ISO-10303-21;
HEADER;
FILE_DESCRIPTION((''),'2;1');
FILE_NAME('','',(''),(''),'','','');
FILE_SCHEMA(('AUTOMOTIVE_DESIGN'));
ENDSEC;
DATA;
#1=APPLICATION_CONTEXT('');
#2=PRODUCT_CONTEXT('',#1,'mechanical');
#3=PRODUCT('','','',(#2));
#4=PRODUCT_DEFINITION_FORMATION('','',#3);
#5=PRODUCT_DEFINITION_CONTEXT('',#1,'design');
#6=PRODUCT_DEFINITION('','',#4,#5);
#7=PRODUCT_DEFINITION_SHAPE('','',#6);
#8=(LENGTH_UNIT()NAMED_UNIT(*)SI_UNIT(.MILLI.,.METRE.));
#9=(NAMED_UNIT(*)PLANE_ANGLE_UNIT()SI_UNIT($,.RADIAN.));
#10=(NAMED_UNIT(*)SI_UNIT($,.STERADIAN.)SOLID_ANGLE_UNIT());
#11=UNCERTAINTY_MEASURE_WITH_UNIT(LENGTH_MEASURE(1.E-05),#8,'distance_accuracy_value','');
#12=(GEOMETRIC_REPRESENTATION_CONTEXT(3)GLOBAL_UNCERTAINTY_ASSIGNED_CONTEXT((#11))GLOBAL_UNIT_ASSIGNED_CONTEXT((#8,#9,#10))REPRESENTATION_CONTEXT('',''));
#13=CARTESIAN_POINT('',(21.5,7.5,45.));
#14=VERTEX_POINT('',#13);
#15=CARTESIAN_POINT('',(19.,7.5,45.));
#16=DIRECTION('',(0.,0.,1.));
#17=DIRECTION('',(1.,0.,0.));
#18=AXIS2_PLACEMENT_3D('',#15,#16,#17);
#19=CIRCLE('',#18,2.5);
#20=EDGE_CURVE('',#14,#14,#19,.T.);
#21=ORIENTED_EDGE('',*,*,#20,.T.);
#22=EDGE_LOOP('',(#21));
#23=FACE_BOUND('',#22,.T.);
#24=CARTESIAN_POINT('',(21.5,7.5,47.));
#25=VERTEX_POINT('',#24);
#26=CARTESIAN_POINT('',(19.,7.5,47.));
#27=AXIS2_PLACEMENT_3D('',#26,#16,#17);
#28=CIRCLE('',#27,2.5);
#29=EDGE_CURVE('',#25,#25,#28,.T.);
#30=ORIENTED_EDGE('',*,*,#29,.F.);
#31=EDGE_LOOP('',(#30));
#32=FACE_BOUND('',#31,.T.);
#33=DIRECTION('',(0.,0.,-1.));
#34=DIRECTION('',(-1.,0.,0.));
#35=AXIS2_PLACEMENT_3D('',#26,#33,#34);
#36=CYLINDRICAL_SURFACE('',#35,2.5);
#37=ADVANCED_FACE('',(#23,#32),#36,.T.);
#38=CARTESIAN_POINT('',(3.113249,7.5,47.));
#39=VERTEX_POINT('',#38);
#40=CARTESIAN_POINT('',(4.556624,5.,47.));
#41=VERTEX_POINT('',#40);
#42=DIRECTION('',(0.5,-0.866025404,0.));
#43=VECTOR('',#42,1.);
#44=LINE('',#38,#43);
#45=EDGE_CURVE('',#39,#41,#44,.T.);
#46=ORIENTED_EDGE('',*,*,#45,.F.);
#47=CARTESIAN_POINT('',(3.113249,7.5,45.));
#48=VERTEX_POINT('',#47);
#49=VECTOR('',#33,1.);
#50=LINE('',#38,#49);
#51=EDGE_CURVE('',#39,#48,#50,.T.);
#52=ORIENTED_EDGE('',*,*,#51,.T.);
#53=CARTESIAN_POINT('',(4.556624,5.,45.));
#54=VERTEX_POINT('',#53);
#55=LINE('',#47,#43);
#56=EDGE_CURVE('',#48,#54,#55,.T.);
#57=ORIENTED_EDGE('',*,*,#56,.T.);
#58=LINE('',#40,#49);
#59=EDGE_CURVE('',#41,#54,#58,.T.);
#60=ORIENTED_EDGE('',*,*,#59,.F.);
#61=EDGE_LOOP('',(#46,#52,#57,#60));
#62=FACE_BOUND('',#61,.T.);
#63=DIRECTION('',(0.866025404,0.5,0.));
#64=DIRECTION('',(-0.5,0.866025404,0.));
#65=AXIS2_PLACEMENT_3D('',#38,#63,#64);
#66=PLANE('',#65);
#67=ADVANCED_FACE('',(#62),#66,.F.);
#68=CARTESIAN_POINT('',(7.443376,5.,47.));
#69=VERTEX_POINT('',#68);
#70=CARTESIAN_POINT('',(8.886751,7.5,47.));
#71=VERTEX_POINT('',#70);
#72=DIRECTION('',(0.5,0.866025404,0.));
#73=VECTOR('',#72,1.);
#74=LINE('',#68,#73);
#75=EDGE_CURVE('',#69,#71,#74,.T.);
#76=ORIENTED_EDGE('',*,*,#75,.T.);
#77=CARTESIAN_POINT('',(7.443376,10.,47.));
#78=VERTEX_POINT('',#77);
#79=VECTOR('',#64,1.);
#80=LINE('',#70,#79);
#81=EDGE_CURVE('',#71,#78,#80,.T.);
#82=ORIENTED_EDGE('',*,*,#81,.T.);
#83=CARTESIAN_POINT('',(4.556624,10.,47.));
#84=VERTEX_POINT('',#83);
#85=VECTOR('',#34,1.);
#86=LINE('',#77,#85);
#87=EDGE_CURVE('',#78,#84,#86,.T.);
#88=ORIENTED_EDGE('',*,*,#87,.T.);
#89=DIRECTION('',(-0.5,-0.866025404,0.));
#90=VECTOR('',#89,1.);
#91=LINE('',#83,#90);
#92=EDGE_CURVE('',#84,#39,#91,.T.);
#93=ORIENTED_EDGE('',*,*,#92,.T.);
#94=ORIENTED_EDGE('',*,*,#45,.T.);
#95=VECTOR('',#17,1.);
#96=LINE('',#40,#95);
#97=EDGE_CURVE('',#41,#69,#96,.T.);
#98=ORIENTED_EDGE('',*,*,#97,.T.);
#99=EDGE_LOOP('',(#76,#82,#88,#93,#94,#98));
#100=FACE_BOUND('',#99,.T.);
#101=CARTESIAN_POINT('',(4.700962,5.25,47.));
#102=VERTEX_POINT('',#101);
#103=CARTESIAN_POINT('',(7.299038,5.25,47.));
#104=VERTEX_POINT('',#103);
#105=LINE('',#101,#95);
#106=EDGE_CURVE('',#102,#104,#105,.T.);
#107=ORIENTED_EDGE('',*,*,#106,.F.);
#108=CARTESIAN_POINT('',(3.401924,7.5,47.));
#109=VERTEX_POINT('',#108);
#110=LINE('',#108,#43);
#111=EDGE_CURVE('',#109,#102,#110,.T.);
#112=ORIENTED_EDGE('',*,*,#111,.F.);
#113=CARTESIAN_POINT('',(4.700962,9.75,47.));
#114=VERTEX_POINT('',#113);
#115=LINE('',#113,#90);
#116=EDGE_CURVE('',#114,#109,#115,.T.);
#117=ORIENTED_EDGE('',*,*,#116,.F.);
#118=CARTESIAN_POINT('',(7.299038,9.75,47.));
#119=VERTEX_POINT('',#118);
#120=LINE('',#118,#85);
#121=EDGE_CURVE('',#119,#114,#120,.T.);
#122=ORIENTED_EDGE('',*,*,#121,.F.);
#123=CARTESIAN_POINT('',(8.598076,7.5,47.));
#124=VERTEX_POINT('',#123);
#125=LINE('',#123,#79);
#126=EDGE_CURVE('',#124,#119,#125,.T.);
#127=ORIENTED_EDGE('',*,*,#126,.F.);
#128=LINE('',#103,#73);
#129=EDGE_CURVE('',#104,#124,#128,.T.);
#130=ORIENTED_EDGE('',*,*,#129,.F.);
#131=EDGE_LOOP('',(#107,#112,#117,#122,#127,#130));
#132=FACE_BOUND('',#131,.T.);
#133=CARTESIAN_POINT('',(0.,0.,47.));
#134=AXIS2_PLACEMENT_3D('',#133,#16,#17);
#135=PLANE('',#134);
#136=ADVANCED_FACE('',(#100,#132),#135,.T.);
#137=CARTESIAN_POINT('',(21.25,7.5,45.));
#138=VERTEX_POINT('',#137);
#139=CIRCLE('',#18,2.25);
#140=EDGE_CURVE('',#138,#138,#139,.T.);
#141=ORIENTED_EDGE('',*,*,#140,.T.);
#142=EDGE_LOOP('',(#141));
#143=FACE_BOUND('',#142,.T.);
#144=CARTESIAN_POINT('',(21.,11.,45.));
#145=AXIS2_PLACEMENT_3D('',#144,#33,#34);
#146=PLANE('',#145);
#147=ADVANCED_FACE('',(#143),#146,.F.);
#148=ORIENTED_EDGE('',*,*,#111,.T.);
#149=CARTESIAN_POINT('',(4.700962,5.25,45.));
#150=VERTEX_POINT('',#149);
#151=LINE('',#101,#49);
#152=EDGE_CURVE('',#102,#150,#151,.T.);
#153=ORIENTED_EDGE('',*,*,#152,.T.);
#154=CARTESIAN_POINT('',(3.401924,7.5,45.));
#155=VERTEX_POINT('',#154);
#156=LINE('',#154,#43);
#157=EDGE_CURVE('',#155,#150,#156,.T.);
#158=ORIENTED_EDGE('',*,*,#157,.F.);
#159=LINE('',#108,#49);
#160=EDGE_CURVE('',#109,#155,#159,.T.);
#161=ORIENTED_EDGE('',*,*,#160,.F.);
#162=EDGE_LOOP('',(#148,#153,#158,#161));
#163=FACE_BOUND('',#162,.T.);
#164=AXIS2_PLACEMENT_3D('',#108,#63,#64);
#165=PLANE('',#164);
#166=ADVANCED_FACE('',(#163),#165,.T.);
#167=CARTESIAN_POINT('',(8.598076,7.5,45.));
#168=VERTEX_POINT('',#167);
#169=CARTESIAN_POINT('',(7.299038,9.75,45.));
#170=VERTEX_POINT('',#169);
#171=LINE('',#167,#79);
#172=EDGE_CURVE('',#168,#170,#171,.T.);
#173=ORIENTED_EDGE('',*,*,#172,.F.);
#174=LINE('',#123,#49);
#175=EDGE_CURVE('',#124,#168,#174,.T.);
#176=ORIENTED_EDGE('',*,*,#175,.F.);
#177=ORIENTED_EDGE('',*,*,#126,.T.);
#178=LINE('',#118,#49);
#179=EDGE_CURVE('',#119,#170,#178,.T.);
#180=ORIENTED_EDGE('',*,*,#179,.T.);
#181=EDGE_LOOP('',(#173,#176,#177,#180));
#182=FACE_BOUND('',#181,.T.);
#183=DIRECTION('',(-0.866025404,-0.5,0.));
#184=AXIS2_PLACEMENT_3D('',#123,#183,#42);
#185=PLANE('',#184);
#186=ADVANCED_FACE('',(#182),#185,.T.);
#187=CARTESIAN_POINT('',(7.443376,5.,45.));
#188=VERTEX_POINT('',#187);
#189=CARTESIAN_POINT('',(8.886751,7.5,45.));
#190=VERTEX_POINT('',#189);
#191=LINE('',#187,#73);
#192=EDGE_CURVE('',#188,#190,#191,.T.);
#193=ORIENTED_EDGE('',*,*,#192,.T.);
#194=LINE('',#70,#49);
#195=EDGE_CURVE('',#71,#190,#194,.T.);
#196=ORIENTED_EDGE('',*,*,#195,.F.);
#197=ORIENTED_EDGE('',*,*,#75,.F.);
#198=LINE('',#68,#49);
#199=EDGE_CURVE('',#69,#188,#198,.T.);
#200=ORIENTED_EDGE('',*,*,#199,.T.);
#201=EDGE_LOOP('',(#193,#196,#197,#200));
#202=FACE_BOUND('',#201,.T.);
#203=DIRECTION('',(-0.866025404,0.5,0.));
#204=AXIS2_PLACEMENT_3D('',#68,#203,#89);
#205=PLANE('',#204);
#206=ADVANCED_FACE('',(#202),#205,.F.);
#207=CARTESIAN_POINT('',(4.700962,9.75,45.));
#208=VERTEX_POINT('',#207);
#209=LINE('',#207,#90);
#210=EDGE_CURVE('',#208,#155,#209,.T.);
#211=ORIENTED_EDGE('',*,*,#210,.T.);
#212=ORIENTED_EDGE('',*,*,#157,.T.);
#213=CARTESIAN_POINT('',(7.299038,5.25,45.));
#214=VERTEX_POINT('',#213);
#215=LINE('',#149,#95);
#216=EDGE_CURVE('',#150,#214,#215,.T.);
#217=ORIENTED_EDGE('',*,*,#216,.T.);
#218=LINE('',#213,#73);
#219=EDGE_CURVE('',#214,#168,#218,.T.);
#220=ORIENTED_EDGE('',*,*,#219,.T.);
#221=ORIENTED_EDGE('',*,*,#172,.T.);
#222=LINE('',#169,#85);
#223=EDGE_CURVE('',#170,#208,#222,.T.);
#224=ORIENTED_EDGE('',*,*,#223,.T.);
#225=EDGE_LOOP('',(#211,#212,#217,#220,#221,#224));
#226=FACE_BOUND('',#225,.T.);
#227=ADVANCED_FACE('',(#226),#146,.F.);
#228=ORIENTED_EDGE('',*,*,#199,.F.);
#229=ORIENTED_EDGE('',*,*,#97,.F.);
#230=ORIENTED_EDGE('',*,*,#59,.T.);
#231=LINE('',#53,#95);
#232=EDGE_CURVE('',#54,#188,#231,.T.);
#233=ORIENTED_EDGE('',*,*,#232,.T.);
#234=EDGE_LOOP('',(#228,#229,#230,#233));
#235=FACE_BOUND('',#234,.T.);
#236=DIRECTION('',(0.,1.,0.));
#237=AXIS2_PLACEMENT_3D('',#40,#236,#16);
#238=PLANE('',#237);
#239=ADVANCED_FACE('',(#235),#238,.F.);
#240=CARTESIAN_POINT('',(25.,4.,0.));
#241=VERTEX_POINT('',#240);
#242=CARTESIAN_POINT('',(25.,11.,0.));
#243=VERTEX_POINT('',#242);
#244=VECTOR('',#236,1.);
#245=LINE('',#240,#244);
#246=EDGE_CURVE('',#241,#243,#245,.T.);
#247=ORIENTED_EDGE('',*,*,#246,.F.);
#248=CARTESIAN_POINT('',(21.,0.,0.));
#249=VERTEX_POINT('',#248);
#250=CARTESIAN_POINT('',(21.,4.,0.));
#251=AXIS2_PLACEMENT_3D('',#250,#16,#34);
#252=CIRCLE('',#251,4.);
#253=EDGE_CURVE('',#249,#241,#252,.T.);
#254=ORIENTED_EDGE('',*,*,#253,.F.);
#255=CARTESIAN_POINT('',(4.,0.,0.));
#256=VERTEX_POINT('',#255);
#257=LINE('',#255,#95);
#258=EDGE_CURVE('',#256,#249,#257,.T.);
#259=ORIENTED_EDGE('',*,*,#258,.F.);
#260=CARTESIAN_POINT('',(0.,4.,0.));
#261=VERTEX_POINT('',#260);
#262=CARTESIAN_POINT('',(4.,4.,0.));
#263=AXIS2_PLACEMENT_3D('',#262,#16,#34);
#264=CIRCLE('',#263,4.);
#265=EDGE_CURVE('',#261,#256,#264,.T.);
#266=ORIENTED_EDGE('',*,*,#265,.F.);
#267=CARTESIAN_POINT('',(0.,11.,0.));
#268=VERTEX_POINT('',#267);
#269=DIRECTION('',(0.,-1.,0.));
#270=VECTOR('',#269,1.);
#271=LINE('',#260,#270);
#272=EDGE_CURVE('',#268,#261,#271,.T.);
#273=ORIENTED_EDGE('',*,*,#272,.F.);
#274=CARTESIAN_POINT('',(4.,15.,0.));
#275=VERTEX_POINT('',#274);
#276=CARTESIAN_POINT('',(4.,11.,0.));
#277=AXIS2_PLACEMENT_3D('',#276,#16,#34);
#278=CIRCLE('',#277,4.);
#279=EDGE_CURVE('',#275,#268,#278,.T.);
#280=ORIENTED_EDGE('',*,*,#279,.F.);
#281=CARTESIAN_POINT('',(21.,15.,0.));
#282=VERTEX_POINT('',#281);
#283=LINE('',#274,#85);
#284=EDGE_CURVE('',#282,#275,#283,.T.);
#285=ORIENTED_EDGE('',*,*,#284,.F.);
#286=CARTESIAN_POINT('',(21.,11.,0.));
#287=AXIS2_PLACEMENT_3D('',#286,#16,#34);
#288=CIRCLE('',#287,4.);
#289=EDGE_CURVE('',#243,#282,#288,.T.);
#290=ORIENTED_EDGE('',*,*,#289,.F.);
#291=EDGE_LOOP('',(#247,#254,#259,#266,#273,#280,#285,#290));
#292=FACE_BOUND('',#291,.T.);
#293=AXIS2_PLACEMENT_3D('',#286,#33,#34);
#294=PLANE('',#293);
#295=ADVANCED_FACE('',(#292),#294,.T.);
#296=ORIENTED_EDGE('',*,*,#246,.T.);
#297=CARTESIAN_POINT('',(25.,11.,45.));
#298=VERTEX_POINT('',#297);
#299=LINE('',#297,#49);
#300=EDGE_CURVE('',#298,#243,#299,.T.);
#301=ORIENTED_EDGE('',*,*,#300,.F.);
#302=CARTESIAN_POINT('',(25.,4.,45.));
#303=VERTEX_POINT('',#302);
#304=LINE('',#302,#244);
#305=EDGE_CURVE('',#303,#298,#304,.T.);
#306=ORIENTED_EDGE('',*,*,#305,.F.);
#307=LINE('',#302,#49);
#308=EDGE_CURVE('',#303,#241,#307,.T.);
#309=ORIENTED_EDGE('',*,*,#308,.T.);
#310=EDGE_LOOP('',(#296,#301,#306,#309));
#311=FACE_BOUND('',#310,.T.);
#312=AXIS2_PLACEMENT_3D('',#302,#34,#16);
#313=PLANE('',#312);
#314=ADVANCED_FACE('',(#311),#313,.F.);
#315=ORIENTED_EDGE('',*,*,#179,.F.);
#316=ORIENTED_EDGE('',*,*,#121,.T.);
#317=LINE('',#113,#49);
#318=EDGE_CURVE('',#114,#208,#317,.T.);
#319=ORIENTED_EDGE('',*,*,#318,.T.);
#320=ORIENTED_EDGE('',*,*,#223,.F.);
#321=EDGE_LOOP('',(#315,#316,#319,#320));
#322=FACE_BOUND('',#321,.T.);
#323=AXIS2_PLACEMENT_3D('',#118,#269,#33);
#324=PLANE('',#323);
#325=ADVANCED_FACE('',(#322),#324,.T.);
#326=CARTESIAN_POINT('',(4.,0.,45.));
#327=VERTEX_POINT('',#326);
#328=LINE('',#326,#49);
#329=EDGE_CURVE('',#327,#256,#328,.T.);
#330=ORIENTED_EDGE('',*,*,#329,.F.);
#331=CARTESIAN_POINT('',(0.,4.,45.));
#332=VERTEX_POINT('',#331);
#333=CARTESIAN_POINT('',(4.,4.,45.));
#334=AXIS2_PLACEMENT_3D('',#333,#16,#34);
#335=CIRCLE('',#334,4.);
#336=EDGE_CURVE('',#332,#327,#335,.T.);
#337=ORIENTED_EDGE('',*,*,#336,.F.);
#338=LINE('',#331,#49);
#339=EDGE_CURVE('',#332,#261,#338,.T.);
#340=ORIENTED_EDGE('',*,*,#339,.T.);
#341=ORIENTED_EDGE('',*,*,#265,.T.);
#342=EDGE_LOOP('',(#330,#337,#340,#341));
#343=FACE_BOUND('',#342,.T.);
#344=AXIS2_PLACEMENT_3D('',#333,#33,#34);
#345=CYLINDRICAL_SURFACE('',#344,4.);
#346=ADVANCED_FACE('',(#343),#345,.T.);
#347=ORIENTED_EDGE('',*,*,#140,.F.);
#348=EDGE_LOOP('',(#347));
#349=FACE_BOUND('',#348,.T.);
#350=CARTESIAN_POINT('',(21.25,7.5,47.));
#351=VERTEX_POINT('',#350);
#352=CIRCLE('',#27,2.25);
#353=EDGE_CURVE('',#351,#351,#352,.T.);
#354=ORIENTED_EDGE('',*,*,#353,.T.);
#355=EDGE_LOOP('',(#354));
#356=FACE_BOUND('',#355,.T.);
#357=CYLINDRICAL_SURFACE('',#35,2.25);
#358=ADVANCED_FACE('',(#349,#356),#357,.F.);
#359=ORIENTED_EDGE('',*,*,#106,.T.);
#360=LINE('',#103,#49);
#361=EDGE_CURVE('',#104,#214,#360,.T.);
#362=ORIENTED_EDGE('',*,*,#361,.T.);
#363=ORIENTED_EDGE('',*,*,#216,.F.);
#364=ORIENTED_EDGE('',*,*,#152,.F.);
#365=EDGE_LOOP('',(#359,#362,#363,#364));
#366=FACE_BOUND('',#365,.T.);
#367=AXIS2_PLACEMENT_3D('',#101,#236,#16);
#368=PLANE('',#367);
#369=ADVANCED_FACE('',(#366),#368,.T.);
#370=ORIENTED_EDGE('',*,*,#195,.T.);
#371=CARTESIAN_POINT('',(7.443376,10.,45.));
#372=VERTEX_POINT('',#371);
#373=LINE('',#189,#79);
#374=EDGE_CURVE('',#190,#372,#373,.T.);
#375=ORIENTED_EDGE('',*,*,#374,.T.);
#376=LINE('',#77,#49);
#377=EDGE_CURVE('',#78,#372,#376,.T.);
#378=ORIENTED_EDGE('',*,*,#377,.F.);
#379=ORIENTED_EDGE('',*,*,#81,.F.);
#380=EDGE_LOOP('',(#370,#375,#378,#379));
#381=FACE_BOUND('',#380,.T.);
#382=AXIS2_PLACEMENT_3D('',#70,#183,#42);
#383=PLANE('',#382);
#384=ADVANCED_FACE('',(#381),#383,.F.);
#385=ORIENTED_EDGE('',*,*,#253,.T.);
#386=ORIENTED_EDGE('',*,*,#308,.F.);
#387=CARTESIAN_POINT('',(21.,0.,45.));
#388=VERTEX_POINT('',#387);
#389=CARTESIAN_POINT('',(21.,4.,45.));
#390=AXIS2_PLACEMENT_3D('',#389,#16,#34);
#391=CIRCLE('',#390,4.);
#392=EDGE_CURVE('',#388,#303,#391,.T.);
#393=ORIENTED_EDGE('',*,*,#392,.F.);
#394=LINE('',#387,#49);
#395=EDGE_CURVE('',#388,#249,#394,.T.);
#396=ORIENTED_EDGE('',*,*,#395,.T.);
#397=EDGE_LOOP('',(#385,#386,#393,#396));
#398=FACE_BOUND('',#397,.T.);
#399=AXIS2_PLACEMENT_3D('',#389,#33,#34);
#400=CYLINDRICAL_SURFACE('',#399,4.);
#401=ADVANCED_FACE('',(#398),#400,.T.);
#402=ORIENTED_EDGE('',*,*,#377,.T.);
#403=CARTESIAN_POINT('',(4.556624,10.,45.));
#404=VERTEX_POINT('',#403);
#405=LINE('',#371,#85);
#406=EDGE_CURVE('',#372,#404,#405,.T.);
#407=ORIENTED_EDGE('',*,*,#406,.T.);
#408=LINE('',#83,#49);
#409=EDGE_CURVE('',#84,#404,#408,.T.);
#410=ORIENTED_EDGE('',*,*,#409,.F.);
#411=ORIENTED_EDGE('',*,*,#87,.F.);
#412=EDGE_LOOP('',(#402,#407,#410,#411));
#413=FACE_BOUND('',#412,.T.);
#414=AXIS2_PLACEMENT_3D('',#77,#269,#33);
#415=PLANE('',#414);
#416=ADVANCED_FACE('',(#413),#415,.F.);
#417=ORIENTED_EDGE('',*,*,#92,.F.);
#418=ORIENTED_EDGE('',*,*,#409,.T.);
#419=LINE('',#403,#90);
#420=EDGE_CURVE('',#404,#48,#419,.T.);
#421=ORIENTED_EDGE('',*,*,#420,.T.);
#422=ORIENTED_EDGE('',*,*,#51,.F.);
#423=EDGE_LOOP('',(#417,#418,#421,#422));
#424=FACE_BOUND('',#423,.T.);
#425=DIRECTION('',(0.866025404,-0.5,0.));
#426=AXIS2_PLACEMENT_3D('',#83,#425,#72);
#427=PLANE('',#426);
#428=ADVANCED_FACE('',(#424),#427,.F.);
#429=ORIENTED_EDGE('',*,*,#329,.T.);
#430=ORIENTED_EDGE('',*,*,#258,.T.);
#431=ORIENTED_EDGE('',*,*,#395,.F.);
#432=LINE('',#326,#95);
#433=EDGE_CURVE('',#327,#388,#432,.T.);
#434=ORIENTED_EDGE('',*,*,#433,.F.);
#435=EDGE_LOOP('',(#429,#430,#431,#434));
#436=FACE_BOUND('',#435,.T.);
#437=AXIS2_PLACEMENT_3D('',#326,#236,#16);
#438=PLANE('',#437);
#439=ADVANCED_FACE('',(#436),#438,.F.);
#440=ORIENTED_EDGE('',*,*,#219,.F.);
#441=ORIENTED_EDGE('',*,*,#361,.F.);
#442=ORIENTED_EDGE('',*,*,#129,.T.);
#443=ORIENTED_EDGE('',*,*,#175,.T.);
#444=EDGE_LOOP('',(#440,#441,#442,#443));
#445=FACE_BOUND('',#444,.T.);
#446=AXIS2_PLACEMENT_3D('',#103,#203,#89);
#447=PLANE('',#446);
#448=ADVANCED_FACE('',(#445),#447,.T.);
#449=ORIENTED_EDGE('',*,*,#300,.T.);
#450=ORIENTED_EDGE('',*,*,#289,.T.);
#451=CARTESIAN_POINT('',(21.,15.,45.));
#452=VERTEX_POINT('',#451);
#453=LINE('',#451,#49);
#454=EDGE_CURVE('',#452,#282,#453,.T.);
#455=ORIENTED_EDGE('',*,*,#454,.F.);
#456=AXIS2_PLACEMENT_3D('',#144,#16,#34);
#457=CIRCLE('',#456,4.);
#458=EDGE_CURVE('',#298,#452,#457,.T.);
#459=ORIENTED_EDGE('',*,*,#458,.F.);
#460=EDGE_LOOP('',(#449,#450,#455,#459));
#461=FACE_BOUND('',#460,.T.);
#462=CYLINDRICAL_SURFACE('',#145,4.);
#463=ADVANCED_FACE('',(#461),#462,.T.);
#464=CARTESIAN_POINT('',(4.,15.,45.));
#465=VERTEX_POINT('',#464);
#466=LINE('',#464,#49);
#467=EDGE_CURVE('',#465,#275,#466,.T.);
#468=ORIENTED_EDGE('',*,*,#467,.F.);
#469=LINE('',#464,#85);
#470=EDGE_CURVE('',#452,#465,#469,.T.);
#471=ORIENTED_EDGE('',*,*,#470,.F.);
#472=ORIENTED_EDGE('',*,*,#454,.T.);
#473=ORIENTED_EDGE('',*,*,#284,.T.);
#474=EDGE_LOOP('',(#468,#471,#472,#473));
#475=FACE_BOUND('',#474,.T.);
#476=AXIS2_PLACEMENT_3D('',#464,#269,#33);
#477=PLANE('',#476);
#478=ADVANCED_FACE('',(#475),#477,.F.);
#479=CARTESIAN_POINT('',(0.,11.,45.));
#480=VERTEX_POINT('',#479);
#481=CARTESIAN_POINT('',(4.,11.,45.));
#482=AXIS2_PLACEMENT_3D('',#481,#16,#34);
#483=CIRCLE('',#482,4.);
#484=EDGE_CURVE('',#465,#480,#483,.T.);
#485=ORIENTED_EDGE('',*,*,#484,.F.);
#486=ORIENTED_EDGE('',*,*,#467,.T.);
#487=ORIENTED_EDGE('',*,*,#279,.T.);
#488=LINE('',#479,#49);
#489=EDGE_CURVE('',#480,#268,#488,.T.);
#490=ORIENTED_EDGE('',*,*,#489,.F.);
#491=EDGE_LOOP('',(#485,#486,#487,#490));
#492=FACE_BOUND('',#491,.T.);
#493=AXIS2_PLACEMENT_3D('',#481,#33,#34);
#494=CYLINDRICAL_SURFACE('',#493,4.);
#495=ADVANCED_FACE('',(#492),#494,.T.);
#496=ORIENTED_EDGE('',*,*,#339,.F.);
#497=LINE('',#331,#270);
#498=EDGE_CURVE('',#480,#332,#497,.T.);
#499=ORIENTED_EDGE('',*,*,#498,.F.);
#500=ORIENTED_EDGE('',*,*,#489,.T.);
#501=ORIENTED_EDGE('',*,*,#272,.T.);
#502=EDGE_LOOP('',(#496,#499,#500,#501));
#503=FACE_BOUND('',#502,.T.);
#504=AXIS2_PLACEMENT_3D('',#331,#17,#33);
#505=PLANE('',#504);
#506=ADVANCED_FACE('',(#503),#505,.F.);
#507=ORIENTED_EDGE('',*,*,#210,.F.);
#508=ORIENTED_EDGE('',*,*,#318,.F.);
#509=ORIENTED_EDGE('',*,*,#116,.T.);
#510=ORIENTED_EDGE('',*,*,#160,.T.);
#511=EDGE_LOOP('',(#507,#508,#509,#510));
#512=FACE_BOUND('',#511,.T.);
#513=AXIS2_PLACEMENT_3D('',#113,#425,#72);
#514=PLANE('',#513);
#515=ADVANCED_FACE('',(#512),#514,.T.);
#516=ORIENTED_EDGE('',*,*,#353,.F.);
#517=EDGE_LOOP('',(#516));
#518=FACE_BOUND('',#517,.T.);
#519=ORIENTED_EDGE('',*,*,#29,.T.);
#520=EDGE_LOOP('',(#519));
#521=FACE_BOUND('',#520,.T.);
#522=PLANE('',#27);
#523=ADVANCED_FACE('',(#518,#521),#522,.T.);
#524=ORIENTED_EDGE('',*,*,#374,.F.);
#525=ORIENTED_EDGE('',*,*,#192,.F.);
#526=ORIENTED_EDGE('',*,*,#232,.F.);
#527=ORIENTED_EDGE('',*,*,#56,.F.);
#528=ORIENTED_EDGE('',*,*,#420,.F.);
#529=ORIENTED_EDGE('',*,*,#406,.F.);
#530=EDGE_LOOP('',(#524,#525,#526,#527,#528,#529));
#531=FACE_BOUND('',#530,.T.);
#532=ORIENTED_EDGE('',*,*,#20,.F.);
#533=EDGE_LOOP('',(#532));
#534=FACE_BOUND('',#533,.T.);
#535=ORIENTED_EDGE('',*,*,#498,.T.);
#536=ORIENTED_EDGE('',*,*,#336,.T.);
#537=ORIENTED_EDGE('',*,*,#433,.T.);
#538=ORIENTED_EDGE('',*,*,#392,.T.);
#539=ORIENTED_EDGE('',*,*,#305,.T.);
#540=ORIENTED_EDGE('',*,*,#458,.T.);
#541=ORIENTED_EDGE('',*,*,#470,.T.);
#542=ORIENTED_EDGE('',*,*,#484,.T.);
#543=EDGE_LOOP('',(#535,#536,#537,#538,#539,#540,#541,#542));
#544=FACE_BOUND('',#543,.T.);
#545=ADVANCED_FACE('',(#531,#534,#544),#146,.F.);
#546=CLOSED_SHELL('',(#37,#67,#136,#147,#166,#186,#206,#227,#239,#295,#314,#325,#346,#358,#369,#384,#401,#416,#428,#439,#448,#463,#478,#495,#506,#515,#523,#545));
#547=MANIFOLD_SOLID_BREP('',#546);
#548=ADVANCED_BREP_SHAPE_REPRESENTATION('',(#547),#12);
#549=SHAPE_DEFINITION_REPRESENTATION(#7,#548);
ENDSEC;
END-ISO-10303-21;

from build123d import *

# Parameters (mm, degrees)
BOSS_EXTRUDE1_DEPTH = 45
SKETCH2_R           = 2.5
SKETCH2_R_2         = 2.25
BOSS_EXTRUDE2_DEPTH = 2


with BuildPart() as part:
    # Sketch1 → Boss-Extrude1 (new body)
    with BuildSketch(Plane.XY):
        with BuildLine():
            Line((4, 0), (21, 0))
            ThreePointArc((21, 0), (23.828427125, 1.171572875), (25, 4))
            Line((25, 4), (25, 11))
            ThreePointArc((25, 11), (23.828427125, 13.828427125), (21, 15))
            Line((21, 15), (4, 15))
            ThreePointArc((4, 15), (1.171572875, 13.828427125), (0, 11))
            Line((0, 11), (0, 4))
            ThreePointArc((0, 4), (1.171572875, 1.171572875), (4, 0))
        make_face()
    extrude(amount=BOSS_EXTRUDE1_DEPTH)

    # Sketch2 → Boss-Extrude2 (add)
    # profile 1 of 2: a face of its own
    with BuildSketch(Plane.XY.offset(45)):
        with Locations((19, 7.5)):
            Circle(SKETCH2_R)
        with Locations((19, 7.5)):
            Circle(SKETCH2_R_2, mode=Mode.SUBTRACT)
    # profile 2 of 2: a face of its own
    with BuildSketch(Plane.XY.offset(45)):
        Polygon((8.886751346, 7.5), (7.443375673, 10), (4.556624327, 10), (3.113248654, 7.5), (4.556624327, 5), (7.443375673, 5), align=None)
        Polygon((8.598076211, 7.5), (7.299038106, 9.75), (4.700961894, 9.75), (3.401923789, 7.5), (4.700961894, 5.25), (7.299038106, 5.25), align=None, mode=Mode.SUBTRACT)
    extrude(amount=BOSS_EXTRUDE2_DEPTH)


solid = part.part
